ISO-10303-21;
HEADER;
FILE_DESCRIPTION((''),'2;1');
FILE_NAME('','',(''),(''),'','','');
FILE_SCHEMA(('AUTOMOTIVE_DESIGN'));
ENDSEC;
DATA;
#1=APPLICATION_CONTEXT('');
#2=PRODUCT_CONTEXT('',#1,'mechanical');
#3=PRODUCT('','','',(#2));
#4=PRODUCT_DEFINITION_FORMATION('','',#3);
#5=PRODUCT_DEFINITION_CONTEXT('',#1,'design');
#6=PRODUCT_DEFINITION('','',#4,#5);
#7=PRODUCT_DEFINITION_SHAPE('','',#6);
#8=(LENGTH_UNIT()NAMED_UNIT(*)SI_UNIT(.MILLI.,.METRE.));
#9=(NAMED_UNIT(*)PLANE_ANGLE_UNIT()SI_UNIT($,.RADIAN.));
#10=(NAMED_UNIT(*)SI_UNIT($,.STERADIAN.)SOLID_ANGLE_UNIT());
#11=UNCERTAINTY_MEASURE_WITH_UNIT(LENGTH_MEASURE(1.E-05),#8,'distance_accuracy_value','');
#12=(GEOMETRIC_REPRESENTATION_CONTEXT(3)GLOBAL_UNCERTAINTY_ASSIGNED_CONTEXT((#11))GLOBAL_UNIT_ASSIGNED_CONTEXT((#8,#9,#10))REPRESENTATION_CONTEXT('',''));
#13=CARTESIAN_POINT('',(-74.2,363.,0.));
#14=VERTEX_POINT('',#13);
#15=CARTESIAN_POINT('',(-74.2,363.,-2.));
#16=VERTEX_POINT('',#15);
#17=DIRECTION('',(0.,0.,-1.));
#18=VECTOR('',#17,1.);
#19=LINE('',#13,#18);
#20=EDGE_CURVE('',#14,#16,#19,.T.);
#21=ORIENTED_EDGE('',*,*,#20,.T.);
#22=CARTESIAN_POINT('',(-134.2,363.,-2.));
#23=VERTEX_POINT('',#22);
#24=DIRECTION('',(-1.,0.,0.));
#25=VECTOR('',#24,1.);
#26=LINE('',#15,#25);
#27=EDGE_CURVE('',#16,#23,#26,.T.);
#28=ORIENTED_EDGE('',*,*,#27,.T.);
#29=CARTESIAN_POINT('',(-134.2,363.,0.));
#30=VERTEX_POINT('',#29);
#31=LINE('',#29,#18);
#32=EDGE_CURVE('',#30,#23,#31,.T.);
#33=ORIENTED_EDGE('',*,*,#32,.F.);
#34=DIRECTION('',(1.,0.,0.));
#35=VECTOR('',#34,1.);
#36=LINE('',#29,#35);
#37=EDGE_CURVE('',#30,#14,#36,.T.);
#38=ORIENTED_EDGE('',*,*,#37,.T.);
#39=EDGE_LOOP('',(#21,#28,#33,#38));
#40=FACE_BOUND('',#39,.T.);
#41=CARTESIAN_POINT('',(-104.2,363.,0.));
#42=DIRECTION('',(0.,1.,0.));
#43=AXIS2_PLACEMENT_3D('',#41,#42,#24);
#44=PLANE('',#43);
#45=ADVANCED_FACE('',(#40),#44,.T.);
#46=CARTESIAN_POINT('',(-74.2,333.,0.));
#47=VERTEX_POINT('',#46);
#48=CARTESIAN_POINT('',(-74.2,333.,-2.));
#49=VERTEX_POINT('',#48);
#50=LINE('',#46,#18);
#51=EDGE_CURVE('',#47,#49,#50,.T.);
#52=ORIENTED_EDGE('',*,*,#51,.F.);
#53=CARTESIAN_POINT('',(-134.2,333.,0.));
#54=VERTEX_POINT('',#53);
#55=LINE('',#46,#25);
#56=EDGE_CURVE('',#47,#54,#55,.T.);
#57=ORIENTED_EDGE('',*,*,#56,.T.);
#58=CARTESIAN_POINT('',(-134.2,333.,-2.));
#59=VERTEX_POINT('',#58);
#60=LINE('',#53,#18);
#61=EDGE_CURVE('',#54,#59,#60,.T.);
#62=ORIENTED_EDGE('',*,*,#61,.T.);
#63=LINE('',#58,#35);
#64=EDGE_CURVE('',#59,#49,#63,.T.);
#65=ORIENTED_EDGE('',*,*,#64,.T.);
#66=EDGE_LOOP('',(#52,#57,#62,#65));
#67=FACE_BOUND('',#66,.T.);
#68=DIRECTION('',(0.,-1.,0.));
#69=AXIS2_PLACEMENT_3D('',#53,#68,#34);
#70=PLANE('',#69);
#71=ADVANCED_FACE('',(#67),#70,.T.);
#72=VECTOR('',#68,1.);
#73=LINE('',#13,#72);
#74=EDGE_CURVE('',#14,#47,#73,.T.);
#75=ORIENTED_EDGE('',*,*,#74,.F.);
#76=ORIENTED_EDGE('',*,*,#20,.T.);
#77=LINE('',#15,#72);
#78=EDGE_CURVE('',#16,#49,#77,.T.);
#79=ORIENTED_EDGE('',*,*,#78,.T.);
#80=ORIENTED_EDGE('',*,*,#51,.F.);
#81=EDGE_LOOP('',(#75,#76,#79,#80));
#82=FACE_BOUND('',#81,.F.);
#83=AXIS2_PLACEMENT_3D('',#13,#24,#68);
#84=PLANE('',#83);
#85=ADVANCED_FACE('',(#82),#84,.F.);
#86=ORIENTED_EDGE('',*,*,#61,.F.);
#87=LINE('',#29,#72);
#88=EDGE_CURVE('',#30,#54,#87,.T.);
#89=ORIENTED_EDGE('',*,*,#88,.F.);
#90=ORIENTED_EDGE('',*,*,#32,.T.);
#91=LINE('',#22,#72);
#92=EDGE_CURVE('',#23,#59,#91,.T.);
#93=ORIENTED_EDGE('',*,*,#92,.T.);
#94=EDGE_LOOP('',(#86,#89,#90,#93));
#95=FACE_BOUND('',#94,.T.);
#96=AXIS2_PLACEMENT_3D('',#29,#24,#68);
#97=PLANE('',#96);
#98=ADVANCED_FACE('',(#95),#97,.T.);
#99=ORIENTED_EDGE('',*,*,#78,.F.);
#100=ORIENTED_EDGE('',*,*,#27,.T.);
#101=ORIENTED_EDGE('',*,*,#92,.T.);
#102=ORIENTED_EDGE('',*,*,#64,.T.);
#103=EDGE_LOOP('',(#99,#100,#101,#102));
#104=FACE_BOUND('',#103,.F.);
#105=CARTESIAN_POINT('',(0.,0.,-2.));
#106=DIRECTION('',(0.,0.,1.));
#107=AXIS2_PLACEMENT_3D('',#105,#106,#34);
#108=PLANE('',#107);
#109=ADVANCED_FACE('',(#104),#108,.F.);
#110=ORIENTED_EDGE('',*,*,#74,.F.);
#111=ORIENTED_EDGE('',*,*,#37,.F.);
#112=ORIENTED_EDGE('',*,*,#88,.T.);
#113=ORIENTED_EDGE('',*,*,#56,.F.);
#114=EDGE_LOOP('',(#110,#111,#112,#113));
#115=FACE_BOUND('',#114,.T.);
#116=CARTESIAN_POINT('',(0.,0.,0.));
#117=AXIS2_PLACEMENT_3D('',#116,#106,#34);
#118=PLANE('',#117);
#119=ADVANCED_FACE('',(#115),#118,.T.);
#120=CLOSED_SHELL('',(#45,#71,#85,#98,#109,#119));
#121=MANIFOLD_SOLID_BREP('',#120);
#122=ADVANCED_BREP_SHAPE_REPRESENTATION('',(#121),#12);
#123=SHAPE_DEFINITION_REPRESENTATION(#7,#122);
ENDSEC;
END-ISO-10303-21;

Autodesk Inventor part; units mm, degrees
ref_plane "YZ Plane" through (0, 0, 0) normal (1, 0, 0) x (0, 1, 0)
ref_plane "XZ Plane" through (0, 0, 0) normal (0, 1, 0) x (-1, 0, 0)
ref_plane "XY Plane" through (0, 0, 0) normal (0, 0, 1) x (1, 0, 0)
ref_plane "Plano de trabajo1" through (0, 0, 0) normal (0, 0, 1) x (1, 0, 0)
sketch "Boceto1" plane through (0, 0, 0) normal (0, 0, 1) x (1, 0, 0)
  line L0 (-164.2, 333) -> (-44.2, 333)
  line L1 (-44.2, 333) -> (-44.2, 363)
  line L2 (-44.2, 363) -> (-164.2, 363)
  line L3 (-164.2, 363) -> (-164.2, 333)
  line L4 (-104.2, 363) -> (-104.2, 333)
  line L5 (-74.2, 363) -> (-74.2, 333)
  line L6 (-134.2, 363) -> (-134.2, 333)
  point P0 (0, 0)
  dimension "d0" = 120
  dimension "d1" = 30
  dimension "d2" = 30
  dimension "d3" = 30
extrude "Extrusión1" add sketch "Boceto1" against normal blind 2 contours L6 L2 L4 L0 | L4 L2 L5 L0
equation "\"Radio_pliegue\" = Grosor"
equation "\"Anchura_desahogo_plegado\" = Grosor"
equation "\"Profundidad_desahogo_plegado\" = 0.5 * Grosor"
equation "\"Tamaño_destalonado\" = 4 * Grosor"
equation "\"Remanente_mínimo\" = 2 * Grosor"
equation "\"Radiodetransición\" = Radio_pliegue"
equation "\"Tamaño_de_radio_de_Jacobi\" = Radio_pliegue"
equation "\"TamañoSeparación\" = Grosor"
equation "\"Grosor\" = 0.5"
properties part number "0110_v2"
